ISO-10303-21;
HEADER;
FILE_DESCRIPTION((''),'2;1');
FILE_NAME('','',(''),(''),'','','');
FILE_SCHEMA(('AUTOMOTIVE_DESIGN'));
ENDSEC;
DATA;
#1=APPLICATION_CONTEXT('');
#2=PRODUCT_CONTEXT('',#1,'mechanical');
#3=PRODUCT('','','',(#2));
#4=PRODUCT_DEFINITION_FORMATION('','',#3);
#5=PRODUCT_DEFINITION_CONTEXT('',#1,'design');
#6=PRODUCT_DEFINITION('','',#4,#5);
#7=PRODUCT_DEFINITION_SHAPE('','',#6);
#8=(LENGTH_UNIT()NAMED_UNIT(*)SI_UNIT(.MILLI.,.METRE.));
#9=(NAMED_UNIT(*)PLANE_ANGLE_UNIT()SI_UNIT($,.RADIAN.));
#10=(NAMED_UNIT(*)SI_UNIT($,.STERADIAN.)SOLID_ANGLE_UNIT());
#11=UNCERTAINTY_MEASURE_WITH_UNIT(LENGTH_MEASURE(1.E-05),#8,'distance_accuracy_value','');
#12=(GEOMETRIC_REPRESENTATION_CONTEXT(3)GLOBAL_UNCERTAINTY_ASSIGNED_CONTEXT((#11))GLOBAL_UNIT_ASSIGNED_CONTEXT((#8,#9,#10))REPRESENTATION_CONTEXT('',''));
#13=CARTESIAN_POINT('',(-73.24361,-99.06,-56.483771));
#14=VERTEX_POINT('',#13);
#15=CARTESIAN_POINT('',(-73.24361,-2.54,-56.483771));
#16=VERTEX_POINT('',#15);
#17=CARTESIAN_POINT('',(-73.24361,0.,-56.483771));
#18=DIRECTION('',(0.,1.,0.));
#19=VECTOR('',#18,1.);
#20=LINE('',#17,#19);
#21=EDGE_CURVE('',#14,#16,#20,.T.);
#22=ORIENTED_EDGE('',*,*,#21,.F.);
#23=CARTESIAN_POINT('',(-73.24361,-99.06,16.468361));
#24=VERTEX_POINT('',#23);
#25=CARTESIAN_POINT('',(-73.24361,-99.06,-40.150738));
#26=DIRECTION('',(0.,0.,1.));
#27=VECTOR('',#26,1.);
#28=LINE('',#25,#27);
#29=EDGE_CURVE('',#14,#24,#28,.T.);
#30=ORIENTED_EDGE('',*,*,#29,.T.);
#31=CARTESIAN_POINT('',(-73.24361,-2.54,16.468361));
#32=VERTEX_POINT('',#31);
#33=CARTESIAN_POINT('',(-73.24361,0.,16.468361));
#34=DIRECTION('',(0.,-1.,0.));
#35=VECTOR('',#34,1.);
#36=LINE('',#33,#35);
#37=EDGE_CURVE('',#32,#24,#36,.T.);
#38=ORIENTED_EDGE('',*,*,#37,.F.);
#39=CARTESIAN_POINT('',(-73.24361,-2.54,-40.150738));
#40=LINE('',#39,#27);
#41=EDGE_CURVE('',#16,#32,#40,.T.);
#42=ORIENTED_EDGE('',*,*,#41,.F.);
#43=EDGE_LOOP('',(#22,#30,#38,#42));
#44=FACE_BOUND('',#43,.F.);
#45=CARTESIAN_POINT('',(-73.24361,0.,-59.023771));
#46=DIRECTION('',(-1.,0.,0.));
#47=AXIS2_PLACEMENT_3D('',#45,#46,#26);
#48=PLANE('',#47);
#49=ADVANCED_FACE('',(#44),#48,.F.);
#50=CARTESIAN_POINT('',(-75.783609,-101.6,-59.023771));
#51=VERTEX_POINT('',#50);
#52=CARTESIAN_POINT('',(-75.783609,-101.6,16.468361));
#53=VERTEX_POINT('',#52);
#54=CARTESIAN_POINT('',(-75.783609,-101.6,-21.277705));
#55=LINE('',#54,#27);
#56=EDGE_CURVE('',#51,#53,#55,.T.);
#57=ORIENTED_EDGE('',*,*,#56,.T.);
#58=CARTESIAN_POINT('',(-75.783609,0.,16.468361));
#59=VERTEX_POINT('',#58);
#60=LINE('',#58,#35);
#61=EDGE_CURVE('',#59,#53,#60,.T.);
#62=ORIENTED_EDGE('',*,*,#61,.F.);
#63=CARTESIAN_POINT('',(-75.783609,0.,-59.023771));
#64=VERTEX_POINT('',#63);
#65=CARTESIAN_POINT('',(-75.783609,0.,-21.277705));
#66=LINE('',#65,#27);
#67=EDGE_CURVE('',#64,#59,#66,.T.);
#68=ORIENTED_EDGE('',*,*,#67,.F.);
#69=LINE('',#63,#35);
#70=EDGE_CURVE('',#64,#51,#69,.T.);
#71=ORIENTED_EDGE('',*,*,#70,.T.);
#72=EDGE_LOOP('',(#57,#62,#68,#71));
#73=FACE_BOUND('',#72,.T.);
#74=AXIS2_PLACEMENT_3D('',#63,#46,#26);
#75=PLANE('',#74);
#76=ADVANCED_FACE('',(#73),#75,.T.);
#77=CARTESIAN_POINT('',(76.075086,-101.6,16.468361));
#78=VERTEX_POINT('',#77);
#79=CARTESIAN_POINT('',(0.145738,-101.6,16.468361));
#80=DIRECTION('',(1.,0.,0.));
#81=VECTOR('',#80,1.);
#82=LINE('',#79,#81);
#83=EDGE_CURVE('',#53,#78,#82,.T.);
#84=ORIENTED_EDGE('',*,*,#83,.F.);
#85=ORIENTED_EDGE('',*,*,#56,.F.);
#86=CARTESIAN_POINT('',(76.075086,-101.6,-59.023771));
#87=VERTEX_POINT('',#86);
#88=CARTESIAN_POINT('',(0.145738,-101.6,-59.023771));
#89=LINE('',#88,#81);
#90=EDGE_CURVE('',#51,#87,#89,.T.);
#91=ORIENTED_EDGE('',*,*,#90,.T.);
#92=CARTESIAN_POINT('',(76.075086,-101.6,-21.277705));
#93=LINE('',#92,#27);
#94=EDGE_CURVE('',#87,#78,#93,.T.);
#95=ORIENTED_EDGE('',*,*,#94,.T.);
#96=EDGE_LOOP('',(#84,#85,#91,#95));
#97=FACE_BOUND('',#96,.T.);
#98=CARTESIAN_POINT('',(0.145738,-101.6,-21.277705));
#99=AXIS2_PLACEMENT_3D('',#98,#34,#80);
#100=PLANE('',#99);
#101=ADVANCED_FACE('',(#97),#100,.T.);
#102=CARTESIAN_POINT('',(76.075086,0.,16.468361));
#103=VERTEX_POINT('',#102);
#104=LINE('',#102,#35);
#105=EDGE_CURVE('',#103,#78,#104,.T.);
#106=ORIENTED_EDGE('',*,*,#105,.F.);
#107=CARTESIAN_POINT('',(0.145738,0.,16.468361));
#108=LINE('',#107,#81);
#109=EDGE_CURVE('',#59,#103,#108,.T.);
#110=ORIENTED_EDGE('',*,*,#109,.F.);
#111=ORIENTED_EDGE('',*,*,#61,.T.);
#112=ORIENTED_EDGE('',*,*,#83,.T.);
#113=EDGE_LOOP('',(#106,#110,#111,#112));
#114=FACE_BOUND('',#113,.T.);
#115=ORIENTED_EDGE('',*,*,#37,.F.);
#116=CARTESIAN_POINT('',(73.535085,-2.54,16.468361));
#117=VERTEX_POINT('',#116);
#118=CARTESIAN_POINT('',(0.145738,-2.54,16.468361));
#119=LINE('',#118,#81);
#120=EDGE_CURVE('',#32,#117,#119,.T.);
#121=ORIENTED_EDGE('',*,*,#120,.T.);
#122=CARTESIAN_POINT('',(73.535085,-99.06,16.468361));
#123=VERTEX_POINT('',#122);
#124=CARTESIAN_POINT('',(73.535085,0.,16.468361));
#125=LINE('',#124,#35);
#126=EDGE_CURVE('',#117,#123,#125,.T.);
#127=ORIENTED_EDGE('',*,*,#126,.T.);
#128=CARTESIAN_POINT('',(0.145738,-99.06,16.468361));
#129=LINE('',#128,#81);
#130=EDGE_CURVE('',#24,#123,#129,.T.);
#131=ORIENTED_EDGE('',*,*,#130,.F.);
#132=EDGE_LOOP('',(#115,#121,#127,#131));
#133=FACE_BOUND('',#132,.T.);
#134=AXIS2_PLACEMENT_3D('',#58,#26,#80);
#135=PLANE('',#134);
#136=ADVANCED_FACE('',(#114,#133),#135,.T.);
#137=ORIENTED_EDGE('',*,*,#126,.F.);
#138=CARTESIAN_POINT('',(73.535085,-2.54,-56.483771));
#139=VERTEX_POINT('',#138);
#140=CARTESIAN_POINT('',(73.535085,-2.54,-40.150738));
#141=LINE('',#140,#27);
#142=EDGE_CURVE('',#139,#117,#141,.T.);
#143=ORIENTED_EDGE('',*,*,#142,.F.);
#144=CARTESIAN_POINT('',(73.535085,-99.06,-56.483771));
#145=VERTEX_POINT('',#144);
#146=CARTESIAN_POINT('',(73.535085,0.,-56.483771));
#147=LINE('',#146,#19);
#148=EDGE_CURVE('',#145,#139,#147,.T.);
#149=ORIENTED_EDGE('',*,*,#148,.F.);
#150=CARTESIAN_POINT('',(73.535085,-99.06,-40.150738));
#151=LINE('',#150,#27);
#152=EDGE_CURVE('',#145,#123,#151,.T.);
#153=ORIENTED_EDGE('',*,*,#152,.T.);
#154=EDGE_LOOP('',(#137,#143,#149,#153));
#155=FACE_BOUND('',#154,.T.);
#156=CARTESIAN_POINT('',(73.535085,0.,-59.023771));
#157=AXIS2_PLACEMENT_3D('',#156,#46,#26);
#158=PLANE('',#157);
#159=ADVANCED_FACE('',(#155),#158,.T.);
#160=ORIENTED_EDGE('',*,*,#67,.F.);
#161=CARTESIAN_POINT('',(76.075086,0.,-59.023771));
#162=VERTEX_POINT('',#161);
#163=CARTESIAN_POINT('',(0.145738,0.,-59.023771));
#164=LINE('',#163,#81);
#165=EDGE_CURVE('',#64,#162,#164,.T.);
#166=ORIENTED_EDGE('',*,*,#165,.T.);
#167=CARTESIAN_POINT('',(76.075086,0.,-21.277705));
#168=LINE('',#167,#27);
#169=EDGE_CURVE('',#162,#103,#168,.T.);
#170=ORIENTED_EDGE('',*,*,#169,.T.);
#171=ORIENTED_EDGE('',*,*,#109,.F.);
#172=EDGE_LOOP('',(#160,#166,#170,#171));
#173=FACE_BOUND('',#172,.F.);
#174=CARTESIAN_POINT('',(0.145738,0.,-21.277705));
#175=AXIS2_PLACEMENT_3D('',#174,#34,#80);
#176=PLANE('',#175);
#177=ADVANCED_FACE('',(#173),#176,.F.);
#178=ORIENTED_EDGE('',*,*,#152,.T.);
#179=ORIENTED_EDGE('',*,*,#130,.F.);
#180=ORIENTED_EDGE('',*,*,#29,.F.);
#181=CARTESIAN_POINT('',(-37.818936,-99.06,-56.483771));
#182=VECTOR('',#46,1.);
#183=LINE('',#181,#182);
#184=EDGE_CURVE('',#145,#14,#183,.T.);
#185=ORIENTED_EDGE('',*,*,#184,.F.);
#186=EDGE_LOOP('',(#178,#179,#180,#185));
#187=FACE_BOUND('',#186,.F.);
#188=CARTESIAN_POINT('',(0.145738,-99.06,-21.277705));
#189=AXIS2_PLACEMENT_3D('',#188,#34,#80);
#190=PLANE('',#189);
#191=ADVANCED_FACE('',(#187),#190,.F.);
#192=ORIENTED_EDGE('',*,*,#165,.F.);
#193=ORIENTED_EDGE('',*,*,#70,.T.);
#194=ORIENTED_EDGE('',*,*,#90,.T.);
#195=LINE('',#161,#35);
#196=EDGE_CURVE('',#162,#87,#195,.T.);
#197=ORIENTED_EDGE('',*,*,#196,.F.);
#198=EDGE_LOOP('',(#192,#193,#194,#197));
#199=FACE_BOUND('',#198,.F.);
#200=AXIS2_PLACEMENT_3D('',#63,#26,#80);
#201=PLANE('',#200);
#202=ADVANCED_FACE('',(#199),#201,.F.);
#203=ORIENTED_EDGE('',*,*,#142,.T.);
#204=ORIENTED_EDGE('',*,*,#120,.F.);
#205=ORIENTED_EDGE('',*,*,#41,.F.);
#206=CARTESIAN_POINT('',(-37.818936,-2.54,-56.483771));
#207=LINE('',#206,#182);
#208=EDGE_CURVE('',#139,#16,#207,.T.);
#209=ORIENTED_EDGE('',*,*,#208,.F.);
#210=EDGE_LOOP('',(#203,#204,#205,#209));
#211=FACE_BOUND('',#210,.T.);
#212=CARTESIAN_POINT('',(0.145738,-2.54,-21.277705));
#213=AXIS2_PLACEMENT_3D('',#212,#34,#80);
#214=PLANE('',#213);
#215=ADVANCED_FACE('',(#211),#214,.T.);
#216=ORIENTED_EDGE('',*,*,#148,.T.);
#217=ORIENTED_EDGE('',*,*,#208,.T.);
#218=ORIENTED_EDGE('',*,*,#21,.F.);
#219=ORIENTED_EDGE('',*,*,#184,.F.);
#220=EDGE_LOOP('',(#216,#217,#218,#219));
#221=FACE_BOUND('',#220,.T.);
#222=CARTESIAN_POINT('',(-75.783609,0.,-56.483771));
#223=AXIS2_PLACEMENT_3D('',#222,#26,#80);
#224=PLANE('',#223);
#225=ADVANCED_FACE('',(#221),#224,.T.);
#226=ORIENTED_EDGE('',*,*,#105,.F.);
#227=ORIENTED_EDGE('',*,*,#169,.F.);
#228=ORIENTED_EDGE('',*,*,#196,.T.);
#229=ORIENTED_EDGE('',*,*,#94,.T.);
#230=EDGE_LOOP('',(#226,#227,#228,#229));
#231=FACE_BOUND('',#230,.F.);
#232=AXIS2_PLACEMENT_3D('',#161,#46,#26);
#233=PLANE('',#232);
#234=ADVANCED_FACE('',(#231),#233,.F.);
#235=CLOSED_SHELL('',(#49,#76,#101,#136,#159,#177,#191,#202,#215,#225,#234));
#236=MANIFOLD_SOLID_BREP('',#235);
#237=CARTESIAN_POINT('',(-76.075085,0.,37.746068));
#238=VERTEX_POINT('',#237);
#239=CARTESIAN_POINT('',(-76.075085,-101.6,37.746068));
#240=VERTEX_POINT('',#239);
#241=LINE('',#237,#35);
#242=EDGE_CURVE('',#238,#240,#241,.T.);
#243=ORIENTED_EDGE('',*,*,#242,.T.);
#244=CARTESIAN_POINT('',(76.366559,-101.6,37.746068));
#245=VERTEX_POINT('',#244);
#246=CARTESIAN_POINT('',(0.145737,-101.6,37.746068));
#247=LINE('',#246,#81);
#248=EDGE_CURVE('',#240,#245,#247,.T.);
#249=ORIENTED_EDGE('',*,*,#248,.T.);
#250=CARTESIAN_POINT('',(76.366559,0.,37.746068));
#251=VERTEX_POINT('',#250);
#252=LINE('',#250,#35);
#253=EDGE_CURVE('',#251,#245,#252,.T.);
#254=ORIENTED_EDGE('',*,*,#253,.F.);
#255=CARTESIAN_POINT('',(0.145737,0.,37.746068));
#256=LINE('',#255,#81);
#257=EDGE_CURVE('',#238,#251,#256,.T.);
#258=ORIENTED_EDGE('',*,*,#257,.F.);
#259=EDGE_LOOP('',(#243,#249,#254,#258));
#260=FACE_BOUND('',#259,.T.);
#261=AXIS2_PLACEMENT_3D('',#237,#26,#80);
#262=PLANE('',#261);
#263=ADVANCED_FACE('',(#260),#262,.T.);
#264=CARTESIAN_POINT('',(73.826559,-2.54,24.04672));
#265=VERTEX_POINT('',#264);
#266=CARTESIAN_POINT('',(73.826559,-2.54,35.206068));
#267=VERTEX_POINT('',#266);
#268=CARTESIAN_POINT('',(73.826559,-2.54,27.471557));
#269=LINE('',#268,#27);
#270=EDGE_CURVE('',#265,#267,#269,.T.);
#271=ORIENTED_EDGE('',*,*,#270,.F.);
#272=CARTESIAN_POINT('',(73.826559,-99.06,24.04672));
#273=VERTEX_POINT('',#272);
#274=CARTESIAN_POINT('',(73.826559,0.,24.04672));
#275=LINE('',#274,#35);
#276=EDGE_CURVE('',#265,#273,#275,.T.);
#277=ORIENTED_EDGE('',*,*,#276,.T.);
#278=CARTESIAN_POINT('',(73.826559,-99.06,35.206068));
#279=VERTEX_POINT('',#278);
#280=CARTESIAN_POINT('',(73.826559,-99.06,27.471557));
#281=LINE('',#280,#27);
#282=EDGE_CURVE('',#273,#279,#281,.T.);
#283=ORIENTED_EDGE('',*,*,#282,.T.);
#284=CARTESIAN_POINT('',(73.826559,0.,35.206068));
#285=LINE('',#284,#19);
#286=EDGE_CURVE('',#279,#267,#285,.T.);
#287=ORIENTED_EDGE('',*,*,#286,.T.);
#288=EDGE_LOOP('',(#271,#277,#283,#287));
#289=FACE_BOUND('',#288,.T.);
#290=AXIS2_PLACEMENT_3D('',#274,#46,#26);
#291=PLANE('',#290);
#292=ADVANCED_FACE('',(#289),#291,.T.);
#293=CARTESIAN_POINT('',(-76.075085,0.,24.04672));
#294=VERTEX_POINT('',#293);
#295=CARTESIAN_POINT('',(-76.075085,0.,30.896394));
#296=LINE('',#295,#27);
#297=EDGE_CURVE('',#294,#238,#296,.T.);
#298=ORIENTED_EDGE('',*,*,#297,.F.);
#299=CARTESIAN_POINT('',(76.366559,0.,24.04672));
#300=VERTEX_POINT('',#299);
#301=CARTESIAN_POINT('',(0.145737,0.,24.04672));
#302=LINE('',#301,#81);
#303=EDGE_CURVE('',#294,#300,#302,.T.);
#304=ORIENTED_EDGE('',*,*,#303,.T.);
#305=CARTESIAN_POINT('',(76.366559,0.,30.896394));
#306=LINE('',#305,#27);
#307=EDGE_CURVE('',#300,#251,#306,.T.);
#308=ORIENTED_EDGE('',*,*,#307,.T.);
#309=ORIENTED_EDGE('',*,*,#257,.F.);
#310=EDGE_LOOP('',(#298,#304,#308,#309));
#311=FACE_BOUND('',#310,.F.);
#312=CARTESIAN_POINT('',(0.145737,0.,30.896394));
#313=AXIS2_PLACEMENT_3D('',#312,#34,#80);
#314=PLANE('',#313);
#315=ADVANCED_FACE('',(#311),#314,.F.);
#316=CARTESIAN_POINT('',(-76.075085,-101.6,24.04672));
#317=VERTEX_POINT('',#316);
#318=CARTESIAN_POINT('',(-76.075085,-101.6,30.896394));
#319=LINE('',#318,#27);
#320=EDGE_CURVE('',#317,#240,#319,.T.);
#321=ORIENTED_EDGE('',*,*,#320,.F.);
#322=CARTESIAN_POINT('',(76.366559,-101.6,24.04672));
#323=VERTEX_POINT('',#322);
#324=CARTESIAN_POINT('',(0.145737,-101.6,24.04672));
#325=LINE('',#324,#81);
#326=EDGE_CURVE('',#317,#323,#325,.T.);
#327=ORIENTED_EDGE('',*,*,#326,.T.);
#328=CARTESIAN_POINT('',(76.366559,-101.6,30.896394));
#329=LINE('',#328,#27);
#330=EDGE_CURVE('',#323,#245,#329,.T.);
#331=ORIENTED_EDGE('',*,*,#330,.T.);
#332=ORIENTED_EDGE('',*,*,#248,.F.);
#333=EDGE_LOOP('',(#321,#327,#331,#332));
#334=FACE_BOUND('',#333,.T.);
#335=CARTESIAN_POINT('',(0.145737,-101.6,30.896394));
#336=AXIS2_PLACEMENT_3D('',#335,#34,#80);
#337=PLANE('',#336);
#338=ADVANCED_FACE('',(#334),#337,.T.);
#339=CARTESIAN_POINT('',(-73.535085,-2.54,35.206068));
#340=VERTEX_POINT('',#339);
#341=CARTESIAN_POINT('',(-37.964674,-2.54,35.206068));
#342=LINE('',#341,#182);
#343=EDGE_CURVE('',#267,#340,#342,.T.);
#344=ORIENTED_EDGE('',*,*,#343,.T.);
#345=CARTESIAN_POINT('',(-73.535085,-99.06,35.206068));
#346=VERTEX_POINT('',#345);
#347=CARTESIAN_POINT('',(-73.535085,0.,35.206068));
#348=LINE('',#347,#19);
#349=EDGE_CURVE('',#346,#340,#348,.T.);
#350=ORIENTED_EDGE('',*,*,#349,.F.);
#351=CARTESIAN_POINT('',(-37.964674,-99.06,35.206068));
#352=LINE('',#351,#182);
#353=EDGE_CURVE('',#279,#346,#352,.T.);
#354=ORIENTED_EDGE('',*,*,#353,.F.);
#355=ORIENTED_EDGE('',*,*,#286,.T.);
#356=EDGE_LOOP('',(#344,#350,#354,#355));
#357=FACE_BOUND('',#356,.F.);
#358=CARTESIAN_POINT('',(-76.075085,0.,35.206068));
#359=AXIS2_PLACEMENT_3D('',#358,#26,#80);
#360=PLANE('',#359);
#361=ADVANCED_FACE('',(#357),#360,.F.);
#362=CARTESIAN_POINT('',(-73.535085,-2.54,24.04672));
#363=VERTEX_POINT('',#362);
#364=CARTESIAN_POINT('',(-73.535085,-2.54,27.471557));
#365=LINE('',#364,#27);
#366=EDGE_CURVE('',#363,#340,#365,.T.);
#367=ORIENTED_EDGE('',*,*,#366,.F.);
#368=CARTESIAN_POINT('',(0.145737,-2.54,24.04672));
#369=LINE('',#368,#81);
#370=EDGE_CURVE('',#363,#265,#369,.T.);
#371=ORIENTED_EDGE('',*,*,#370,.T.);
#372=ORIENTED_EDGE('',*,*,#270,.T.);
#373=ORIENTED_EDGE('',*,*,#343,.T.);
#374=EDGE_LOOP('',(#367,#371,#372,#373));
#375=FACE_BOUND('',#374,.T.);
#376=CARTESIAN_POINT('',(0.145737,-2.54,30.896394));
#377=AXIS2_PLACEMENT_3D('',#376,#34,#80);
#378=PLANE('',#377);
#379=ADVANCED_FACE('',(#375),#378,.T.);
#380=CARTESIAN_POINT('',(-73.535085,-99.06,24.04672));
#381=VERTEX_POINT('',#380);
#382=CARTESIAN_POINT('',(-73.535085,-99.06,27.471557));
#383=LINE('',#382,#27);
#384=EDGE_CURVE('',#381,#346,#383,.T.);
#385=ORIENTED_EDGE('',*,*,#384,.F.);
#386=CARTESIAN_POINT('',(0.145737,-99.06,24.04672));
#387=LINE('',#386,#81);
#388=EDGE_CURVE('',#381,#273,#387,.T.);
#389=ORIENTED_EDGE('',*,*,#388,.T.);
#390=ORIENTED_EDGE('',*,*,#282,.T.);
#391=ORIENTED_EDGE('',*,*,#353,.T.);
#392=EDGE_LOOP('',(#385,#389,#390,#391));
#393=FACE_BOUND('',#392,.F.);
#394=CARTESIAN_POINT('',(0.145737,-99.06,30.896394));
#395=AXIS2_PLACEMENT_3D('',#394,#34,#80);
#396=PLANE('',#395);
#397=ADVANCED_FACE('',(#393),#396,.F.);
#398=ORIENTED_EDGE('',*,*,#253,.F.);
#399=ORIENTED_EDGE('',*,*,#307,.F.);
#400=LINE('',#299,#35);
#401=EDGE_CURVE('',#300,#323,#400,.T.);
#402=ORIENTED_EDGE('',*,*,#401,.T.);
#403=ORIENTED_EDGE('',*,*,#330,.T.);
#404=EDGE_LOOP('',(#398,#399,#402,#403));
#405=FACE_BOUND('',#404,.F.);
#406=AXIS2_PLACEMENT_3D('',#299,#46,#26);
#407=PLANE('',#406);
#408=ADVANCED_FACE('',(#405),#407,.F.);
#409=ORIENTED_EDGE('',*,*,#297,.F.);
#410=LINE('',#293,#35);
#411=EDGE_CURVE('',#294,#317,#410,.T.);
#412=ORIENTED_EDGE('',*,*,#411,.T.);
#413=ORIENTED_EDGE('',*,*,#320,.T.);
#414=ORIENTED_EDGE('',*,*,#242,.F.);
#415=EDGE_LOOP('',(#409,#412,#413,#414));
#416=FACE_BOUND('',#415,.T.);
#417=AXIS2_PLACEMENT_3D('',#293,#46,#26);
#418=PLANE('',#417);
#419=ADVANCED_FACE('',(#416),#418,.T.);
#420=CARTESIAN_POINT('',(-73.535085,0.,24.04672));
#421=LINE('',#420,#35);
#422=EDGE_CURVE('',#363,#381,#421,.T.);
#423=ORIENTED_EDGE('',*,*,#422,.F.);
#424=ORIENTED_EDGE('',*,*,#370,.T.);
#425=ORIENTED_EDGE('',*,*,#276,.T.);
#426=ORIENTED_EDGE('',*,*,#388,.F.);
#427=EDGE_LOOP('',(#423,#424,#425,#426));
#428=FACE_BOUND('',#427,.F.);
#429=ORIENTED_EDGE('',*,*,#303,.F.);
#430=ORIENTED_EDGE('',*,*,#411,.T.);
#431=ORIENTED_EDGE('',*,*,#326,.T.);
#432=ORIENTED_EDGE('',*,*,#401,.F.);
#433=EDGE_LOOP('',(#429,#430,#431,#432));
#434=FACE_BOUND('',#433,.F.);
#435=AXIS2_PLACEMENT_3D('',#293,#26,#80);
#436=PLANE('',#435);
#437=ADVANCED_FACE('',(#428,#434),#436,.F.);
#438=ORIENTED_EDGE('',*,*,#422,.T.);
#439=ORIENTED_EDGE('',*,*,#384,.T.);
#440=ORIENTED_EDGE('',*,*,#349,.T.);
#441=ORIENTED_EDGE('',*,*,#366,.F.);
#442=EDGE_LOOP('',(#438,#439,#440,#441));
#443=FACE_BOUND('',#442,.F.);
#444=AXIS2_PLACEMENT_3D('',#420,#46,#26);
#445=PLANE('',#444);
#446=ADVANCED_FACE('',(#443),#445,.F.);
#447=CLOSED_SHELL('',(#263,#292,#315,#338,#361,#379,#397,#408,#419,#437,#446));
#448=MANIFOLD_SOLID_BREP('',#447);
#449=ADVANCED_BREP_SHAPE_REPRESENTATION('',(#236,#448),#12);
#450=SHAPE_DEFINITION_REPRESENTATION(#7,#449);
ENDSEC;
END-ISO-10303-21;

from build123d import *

# Parameters (mm, degrees)
F0_W     = 151.858695
F0_H     = 75.492132
F1_DEPTH = 101.6
F2_T     = -2.54
F3_W     = 152.441644
F3_H     = 13.699347
F4_DEPTH = 101.6
F5_T     = -2.54


with BuildPart() as f1:
    # F0 (on Front) → F1 (new body)
    with BuildSketch(Plane.XZ):
        with Locations((0.145738, -21.277705)):
            Rectangle(F0_W, F0_H)
    extrude(amount=F1_DEPTH)

    # F2
    f2_openings = [f1.faces().sort_by_distance(p)[0] for p in [
        (0.145737, -50.8, 16.468361),
    ]]
    offset(amount=F2_T, openings=f2_openings)


with BuildPart() as f4:
    # F3 (on Front) → F4 (new body)
    with BuildSketch(Plane.XZ):
        with Locations((0.145737, 30.896394)):
            Rectangle(F3_W, F3_H)
    extrude(amount=F4_DEPTH)

    # F5
    f5_openings = [f4.faces().sort_by_distance(p)[0] for p in [
        (0.145737, -50.8, 24.046721),
    ]]
    offset(amount=F5_T, openings=f5_openings)


solid = Compound([f1.part, f4.part])
